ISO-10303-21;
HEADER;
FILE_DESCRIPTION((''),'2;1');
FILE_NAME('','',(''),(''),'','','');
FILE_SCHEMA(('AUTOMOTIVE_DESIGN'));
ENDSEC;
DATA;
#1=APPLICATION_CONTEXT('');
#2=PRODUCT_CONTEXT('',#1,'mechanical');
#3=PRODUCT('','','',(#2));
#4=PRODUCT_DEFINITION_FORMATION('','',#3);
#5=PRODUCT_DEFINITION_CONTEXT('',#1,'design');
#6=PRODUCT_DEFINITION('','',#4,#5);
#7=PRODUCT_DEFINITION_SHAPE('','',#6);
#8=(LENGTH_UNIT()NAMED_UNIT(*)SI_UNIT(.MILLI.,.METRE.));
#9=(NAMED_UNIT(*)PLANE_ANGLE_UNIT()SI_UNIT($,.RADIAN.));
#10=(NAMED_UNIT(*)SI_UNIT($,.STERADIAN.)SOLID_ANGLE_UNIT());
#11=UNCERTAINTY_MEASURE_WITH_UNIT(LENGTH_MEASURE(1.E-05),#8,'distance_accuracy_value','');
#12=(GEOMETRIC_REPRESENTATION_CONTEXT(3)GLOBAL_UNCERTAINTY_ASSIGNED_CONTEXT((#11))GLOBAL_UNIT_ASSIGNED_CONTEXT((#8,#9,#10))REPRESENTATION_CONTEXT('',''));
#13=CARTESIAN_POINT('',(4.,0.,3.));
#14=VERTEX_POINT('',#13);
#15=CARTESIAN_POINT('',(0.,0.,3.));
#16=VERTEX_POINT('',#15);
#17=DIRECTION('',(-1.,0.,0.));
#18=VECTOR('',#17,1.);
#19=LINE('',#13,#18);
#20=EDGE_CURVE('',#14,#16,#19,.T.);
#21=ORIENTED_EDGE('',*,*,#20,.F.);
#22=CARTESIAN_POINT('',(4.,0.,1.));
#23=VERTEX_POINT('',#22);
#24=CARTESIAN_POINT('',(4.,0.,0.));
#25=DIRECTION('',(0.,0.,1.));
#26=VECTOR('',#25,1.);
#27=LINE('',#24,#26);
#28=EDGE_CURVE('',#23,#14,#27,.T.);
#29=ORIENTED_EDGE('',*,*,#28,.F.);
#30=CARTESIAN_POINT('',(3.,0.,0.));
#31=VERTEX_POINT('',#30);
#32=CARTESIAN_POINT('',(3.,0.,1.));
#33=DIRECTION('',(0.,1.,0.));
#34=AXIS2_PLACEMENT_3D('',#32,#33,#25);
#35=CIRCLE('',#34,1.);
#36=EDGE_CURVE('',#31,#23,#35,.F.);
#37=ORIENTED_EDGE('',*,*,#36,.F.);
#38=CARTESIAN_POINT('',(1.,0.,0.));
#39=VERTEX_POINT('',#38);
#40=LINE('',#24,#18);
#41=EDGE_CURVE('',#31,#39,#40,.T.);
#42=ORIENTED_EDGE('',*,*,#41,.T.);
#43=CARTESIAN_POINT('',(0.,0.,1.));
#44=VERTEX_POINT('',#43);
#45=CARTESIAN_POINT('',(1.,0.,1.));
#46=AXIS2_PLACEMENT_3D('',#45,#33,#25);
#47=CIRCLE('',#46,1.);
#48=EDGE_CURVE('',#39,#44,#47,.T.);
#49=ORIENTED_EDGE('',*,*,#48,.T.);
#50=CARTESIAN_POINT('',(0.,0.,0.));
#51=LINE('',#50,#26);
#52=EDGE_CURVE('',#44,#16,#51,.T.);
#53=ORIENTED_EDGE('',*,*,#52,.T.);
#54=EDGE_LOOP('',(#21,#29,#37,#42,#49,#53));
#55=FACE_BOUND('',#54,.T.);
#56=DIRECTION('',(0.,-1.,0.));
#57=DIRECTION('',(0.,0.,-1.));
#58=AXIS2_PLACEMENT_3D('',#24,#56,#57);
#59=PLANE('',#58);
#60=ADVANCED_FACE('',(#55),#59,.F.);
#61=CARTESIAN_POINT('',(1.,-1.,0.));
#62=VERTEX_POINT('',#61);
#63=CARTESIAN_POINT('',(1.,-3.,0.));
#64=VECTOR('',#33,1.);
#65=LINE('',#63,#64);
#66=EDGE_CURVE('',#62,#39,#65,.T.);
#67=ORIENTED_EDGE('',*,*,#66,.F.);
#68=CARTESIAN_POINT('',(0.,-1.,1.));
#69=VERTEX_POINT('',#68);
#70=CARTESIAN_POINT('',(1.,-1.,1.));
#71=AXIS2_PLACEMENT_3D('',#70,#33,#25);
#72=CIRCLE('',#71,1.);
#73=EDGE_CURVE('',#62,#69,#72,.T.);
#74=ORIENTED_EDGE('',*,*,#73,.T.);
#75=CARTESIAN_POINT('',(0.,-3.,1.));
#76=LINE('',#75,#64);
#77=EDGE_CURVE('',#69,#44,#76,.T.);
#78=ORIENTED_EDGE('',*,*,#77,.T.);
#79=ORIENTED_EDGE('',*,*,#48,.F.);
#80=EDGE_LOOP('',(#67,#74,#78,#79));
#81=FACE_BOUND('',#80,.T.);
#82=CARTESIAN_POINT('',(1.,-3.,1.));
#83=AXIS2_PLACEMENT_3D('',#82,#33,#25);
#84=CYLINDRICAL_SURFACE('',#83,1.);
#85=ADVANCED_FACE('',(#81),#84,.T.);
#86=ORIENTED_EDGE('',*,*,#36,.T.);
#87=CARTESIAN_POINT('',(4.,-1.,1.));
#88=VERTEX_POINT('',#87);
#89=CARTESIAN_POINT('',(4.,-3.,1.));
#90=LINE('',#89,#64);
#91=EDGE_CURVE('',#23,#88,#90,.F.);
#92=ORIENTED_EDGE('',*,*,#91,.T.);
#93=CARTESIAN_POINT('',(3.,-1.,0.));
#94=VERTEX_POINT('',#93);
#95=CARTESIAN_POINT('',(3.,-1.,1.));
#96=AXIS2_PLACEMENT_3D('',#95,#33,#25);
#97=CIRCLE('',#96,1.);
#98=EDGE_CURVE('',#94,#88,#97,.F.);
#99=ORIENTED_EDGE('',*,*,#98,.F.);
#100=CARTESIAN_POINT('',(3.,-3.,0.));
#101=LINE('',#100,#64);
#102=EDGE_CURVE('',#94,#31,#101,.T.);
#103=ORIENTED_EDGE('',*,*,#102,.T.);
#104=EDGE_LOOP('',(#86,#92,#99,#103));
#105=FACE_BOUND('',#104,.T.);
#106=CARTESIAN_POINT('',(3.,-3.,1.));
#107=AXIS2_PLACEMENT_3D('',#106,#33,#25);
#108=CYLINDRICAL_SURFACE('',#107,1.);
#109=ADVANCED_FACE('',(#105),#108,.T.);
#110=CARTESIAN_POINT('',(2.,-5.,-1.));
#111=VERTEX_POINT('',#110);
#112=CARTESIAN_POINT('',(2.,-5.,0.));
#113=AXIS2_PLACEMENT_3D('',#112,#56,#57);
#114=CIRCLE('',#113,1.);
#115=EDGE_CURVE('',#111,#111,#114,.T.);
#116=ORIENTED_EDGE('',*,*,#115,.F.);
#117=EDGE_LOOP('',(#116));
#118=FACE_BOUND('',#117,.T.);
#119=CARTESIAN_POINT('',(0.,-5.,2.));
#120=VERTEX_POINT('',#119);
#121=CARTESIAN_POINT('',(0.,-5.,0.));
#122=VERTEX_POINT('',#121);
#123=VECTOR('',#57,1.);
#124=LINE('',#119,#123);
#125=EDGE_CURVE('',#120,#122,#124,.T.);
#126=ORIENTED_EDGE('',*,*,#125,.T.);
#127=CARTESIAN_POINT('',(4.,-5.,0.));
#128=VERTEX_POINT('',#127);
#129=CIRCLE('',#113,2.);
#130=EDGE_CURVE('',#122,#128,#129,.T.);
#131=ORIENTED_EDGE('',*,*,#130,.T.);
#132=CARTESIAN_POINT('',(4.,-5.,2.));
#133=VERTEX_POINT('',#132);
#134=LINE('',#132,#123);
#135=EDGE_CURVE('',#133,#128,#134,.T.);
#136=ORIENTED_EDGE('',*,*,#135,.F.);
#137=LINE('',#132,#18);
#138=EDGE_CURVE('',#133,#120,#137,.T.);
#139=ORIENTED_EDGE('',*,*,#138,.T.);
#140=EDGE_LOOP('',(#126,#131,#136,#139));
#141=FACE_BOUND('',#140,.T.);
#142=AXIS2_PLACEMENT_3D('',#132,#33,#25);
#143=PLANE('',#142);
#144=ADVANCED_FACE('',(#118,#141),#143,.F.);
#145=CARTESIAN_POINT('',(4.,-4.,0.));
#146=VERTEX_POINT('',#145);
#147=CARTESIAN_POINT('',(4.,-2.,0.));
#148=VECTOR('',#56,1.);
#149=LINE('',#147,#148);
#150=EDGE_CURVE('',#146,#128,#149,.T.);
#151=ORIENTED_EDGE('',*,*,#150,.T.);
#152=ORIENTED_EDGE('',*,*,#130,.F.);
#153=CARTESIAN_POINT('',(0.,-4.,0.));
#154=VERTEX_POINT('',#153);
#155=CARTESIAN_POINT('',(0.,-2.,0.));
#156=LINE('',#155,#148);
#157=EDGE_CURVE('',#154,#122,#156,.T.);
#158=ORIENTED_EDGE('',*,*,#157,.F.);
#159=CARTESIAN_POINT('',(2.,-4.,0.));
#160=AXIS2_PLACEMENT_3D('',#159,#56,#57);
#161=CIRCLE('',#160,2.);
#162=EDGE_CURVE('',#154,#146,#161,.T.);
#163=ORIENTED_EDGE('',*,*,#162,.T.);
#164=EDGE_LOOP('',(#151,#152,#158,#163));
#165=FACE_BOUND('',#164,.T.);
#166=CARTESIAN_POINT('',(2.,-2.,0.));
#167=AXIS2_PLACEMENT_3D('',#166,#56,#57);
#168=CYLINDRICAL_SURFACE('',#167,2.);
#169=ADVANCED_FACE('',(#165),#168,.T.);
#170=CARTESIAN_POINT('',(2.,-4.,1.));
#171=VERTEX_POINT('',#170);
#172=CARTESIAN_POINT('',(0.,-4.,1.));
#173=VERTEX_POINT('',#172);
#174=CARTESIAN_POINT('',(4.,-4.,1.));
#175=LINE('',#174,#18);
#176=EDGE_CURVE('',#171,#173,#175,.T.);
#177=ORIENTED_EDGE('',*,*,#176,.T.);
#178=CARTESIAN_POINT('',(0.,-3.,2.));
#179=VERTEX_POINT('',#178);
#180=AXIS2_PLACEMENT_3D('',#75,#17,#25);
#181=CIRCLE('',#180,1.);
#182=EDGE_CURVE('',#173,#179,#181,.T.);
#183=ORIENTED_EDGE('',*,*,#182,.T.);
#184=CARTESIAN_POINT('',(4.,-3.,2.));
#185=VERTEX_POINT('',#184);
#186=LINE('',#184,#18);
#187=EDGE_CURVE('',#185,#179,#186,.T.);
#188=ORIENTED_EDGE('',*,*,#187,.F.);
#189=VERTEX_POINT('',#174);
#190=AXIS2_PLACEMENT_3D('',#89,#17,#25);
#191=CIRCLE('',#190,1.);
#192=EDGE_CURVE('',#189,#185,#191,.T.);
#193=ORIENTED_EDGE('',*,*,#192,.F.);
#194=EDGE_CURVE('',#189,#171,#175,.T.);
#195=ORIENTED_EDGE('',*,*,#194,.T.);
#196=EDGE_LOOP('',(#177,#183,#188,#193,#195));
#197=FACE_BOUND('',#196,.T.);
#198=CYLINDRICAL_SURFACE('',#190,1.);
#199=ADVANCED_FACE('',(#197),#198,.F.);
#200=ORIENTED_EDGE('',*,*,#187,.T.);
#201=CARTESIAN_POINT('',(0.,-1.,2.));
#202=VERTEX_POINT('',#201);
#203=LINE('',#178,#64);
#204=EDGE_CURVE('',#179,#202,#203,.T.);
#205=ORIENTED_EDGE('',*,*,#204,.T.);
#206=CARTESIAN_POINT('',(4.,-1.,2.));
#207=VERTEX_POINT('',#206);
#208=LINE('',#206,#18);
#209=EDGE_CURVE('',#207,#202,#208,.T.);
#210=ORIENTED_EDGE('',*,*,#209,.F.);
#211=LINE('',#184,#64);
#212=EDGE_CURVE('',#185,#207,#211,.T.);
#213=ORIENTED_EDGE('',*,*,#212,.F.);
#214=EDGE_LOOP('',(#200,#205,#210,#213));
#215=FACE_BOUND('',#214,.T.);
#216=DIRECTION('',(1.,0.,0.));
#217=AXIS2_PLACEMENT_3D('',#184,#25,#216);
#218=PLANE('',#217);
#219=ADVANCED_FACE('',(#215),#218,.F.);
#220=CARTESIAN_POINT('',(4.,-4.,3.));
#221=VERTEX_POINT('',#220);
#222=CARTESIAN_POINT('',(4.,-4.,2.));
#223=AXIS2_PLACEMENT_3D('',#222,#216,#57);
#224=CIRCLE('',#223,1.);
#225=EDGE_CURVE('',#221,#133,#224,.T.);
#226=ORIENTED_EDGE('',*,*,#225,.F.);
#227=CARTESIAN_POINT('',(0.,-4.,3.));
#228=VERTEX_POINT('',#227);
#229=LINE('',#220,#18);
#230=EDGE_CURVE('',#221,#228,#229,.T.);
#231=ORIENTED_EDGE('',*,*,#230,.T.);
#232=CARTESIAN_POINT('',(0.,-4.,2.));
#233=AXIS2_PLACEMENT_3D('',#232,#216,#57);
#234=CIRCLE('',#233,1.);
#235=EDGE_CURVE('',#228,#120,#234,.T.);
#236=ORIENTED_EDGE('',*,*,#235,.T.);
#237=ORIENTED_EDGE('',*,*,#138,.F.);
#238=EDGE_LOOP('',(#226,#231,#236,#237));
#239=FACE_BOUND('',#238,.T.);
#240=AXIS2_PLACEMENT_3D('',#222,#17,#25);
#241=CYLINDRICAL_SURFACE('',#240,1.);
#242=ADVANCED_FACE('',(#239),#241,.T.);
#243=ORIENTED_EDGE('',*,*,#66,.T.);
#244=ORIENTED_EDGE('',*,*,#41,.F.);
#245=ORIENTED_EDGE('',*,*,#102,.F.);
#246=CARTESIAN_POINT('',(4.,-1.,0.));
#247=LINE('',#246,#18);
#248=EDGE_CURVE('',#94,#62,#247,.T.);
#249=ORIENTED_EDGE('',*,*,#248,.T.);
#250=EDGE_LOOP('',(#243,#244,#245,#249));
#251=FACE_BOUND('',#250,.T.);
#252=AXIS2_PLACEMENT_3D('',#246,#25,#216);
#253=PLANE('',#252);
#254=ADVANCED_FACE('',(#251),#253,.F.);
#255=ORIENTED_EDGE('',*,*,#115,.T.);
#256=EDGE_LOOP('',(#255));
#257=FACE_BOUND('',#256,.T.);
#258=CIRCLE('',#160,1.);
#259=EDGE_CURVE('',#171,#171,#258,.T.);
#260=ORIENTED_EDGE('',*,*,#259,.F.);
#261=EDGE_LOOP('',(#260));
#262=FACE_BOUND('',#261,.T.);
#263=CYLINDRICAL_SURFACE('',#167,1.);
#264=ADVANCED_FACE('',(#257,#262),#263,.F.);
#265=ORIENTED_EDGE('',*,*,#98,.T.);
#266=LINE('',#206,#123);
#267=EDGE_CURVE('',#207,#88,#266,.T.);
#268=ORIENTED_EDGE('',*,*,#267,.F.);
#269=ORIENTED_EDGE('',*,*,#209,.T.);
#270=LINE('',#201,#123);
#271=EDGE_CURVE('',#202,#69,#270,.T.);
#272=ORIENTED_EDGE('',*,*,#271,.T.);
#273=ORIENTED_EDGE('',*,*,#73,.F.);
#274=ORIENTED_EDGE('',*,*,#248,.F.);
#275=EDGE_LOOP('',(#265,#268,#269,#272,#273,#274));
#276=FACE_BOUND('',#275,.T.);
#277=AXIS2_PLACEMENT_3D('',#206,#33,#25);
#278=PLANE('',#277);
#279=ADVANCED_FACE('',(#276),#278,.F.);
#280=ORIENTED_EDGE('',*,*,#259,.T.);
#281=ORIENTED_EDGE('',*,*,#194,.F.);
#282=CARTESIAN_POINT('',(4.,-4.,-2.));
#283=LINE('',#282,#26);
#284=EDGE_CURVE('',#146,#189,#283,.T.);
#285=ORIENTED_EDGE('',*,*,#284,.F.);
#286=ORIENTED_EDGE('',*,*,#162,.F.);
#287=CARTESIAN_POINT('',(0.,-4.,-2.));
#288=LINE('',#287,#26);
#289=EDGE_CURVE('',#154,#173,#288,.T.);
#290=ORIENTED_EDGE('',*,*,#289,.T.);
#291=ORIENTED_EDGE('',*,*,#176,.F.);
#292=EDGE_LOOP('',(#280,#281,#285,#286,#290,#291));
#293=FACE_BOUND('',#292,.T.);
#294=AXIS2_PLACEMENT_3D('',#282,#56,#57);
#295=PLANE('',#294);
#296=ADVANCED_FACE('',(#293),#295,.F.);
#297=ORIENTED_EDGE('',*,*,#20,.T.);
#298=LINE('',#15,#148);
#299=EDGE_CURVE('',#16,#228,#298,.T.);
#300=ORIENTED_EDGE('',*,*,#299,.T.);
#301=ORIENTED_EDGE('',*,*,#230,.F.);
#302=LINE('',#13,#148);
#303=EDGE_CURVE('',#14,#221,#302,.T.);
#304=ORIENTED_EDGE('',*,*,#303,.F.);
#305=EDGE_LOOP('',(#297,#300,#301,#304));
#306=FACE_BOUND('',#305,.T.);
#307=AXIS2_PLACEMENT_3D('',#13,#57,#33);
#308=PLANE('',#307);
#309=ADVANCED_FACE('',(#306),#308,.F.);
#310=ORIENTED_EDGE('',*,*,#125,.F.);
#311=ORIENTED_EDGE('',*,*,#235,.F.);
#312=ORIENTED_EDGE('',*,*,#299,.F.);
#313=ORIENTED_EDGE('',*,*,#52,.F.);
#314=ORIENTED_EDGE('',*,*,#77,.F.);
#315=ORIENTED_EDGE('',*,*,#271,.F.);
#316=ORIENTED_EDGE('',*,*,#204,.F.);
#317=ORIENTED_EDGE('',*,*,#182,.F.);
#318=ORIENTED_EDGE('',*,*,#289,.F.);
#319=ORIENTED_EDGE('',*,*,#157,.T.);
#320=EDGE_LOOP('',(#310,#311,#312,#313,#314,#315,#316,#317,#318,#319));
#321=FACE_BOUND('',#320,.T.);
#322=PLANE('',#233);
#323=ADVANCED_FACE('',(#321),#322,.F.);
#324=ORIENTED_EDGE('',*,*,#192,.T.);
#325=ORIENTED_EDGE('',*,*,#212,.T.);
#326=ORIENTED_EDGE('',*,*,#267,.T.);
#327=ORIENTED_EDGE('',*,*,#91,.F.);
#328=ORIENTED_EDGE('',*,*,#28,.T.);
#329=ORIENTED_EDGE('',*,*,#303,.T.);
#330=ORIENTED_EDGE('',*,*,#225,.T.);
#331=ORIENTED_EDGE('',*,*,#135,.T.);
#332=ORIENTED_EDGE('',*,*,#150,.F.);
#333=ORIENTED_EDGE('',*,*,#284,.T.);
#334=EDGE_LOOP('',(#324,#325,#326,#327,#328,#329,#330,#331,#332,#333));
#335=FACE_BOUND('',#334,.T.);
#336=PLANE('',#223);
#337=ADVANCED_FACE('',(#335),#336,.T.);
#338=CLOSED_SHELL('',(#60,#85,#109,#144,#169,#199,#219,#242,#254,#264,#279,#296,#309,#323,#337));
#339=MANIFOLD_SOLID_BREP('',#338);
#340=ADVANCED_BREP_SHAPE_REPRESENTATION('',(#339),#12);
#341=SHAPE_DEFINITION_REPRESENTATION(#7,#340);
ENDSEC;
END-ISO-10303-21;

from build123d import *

# Parameters (mm, degrees)
EXTRUDE_1_DEPTH          = 4
CUT_EXTRUDE_1_DEPTH      = 3
CUT_EXTRUDE_2_DEPTH      = 8.071067812
CUT_EXTRUDE_2_DEPTH_BACK = 3
SKETCH_4_R               = 1
CUT_EXTRUDE_3_DEPTH      = 3


with BuildPart() as part:
    # 草圖1 → 填料-伸長1 (new body)
    with BuildSketch(Plane(origin=(0, 0, 0), x_dir=(0, 0, -1), z_dir=(1, 0, 0))):
        with BuildLine():
            Line((0, 0), (-3, 0))
            Line((-3, 0), (-3, -4))
            ThreePointArc((-3, -4), (-2.707106781, -4.707106781), (-2, -5))
            Line((-2, -5), (2, -5))
            Line((2, -5), (2, -4))
            Line((2, -4), (-1, -4))
            ThreePointArc((-1, -4), (-1.707106781, -3.707106781), (-2, -3))
            Line((-2, -3), (-2, -1))
            Line((-2, -1), (0, -1))
            Line((0, -1), (0, 0))
        make_face()
    extrude(amount=EXTRUDE_1_DEPTH)

    # 草圖2 → 除料-伸長1 (cut)
    with BuildSketch(Plane(origin=(0, 0, 0), x_dir=(1, 0, 0), z_dir=(0, 1, 0))):
        with BuildLine():
            ThreePointArc((0, -1), (0.292893219, -0.292893219), (1, 0))
            Line((1, 0), (0, 0))
            Line((0, 0), (0, -1))
        make_face()
        with BuildLine():
            Line((4, 0), (3, 0))
            ThreePointArc((3, 0), (3.707106781, -0.292893219), (4, -1))
            Line((4, -1), (4, 0))
        make_face()
    extrude(amount=-CUT_EXTRUDE_1_DEPTH, mode=Mode.SUBTRACT)

    # 草圖3 → 除料-伸長2 (cut, two sides: drawn at the far end of the back side and taken through both)
    with BuildSketch(Plane.XZ.offset(5).offset(-CUT_EXTRUDE_2_DEPTH_BACK)):
        with BuildLine():
            Line((0, -0.361789115), (0, -2))
            Line((0, -2), (2, -2))
            ThreePointArc((2, -2), (0.585786438, -1.414213562), (0, 0))
            Line((0, 0), (0, -0.361789115))
        make_face()
        with BuildLine():
            ThreePointArc((4, 0), (3.414213562, -1.414213562), (2, -2))
            Line((2, -2), (4, -2))
            Line((4, -2), (4, -0.361789115))
            Line((4, -0.361789115), (4, 0))
        make_face()
    extrude(amount=CUT_EXTRUDE_2_DEPTH + CUT_EXTRUDE_2_DEPTH_BACK, mode=Mode.SUBTRACT)

    # 草圖4 → 除料-伸長3 (cut)
    with BuildSketch(Plane.XZ.offset(5)):
        with Locations(Location((2, 0, 0), (0, 0, 270))):
            Circle(SKETCH_4_R)
    extrude(amount=-CUT_EXTRUDE_3_DEPTH, mode=Mode.SUBTRACT)


solid = part.part
